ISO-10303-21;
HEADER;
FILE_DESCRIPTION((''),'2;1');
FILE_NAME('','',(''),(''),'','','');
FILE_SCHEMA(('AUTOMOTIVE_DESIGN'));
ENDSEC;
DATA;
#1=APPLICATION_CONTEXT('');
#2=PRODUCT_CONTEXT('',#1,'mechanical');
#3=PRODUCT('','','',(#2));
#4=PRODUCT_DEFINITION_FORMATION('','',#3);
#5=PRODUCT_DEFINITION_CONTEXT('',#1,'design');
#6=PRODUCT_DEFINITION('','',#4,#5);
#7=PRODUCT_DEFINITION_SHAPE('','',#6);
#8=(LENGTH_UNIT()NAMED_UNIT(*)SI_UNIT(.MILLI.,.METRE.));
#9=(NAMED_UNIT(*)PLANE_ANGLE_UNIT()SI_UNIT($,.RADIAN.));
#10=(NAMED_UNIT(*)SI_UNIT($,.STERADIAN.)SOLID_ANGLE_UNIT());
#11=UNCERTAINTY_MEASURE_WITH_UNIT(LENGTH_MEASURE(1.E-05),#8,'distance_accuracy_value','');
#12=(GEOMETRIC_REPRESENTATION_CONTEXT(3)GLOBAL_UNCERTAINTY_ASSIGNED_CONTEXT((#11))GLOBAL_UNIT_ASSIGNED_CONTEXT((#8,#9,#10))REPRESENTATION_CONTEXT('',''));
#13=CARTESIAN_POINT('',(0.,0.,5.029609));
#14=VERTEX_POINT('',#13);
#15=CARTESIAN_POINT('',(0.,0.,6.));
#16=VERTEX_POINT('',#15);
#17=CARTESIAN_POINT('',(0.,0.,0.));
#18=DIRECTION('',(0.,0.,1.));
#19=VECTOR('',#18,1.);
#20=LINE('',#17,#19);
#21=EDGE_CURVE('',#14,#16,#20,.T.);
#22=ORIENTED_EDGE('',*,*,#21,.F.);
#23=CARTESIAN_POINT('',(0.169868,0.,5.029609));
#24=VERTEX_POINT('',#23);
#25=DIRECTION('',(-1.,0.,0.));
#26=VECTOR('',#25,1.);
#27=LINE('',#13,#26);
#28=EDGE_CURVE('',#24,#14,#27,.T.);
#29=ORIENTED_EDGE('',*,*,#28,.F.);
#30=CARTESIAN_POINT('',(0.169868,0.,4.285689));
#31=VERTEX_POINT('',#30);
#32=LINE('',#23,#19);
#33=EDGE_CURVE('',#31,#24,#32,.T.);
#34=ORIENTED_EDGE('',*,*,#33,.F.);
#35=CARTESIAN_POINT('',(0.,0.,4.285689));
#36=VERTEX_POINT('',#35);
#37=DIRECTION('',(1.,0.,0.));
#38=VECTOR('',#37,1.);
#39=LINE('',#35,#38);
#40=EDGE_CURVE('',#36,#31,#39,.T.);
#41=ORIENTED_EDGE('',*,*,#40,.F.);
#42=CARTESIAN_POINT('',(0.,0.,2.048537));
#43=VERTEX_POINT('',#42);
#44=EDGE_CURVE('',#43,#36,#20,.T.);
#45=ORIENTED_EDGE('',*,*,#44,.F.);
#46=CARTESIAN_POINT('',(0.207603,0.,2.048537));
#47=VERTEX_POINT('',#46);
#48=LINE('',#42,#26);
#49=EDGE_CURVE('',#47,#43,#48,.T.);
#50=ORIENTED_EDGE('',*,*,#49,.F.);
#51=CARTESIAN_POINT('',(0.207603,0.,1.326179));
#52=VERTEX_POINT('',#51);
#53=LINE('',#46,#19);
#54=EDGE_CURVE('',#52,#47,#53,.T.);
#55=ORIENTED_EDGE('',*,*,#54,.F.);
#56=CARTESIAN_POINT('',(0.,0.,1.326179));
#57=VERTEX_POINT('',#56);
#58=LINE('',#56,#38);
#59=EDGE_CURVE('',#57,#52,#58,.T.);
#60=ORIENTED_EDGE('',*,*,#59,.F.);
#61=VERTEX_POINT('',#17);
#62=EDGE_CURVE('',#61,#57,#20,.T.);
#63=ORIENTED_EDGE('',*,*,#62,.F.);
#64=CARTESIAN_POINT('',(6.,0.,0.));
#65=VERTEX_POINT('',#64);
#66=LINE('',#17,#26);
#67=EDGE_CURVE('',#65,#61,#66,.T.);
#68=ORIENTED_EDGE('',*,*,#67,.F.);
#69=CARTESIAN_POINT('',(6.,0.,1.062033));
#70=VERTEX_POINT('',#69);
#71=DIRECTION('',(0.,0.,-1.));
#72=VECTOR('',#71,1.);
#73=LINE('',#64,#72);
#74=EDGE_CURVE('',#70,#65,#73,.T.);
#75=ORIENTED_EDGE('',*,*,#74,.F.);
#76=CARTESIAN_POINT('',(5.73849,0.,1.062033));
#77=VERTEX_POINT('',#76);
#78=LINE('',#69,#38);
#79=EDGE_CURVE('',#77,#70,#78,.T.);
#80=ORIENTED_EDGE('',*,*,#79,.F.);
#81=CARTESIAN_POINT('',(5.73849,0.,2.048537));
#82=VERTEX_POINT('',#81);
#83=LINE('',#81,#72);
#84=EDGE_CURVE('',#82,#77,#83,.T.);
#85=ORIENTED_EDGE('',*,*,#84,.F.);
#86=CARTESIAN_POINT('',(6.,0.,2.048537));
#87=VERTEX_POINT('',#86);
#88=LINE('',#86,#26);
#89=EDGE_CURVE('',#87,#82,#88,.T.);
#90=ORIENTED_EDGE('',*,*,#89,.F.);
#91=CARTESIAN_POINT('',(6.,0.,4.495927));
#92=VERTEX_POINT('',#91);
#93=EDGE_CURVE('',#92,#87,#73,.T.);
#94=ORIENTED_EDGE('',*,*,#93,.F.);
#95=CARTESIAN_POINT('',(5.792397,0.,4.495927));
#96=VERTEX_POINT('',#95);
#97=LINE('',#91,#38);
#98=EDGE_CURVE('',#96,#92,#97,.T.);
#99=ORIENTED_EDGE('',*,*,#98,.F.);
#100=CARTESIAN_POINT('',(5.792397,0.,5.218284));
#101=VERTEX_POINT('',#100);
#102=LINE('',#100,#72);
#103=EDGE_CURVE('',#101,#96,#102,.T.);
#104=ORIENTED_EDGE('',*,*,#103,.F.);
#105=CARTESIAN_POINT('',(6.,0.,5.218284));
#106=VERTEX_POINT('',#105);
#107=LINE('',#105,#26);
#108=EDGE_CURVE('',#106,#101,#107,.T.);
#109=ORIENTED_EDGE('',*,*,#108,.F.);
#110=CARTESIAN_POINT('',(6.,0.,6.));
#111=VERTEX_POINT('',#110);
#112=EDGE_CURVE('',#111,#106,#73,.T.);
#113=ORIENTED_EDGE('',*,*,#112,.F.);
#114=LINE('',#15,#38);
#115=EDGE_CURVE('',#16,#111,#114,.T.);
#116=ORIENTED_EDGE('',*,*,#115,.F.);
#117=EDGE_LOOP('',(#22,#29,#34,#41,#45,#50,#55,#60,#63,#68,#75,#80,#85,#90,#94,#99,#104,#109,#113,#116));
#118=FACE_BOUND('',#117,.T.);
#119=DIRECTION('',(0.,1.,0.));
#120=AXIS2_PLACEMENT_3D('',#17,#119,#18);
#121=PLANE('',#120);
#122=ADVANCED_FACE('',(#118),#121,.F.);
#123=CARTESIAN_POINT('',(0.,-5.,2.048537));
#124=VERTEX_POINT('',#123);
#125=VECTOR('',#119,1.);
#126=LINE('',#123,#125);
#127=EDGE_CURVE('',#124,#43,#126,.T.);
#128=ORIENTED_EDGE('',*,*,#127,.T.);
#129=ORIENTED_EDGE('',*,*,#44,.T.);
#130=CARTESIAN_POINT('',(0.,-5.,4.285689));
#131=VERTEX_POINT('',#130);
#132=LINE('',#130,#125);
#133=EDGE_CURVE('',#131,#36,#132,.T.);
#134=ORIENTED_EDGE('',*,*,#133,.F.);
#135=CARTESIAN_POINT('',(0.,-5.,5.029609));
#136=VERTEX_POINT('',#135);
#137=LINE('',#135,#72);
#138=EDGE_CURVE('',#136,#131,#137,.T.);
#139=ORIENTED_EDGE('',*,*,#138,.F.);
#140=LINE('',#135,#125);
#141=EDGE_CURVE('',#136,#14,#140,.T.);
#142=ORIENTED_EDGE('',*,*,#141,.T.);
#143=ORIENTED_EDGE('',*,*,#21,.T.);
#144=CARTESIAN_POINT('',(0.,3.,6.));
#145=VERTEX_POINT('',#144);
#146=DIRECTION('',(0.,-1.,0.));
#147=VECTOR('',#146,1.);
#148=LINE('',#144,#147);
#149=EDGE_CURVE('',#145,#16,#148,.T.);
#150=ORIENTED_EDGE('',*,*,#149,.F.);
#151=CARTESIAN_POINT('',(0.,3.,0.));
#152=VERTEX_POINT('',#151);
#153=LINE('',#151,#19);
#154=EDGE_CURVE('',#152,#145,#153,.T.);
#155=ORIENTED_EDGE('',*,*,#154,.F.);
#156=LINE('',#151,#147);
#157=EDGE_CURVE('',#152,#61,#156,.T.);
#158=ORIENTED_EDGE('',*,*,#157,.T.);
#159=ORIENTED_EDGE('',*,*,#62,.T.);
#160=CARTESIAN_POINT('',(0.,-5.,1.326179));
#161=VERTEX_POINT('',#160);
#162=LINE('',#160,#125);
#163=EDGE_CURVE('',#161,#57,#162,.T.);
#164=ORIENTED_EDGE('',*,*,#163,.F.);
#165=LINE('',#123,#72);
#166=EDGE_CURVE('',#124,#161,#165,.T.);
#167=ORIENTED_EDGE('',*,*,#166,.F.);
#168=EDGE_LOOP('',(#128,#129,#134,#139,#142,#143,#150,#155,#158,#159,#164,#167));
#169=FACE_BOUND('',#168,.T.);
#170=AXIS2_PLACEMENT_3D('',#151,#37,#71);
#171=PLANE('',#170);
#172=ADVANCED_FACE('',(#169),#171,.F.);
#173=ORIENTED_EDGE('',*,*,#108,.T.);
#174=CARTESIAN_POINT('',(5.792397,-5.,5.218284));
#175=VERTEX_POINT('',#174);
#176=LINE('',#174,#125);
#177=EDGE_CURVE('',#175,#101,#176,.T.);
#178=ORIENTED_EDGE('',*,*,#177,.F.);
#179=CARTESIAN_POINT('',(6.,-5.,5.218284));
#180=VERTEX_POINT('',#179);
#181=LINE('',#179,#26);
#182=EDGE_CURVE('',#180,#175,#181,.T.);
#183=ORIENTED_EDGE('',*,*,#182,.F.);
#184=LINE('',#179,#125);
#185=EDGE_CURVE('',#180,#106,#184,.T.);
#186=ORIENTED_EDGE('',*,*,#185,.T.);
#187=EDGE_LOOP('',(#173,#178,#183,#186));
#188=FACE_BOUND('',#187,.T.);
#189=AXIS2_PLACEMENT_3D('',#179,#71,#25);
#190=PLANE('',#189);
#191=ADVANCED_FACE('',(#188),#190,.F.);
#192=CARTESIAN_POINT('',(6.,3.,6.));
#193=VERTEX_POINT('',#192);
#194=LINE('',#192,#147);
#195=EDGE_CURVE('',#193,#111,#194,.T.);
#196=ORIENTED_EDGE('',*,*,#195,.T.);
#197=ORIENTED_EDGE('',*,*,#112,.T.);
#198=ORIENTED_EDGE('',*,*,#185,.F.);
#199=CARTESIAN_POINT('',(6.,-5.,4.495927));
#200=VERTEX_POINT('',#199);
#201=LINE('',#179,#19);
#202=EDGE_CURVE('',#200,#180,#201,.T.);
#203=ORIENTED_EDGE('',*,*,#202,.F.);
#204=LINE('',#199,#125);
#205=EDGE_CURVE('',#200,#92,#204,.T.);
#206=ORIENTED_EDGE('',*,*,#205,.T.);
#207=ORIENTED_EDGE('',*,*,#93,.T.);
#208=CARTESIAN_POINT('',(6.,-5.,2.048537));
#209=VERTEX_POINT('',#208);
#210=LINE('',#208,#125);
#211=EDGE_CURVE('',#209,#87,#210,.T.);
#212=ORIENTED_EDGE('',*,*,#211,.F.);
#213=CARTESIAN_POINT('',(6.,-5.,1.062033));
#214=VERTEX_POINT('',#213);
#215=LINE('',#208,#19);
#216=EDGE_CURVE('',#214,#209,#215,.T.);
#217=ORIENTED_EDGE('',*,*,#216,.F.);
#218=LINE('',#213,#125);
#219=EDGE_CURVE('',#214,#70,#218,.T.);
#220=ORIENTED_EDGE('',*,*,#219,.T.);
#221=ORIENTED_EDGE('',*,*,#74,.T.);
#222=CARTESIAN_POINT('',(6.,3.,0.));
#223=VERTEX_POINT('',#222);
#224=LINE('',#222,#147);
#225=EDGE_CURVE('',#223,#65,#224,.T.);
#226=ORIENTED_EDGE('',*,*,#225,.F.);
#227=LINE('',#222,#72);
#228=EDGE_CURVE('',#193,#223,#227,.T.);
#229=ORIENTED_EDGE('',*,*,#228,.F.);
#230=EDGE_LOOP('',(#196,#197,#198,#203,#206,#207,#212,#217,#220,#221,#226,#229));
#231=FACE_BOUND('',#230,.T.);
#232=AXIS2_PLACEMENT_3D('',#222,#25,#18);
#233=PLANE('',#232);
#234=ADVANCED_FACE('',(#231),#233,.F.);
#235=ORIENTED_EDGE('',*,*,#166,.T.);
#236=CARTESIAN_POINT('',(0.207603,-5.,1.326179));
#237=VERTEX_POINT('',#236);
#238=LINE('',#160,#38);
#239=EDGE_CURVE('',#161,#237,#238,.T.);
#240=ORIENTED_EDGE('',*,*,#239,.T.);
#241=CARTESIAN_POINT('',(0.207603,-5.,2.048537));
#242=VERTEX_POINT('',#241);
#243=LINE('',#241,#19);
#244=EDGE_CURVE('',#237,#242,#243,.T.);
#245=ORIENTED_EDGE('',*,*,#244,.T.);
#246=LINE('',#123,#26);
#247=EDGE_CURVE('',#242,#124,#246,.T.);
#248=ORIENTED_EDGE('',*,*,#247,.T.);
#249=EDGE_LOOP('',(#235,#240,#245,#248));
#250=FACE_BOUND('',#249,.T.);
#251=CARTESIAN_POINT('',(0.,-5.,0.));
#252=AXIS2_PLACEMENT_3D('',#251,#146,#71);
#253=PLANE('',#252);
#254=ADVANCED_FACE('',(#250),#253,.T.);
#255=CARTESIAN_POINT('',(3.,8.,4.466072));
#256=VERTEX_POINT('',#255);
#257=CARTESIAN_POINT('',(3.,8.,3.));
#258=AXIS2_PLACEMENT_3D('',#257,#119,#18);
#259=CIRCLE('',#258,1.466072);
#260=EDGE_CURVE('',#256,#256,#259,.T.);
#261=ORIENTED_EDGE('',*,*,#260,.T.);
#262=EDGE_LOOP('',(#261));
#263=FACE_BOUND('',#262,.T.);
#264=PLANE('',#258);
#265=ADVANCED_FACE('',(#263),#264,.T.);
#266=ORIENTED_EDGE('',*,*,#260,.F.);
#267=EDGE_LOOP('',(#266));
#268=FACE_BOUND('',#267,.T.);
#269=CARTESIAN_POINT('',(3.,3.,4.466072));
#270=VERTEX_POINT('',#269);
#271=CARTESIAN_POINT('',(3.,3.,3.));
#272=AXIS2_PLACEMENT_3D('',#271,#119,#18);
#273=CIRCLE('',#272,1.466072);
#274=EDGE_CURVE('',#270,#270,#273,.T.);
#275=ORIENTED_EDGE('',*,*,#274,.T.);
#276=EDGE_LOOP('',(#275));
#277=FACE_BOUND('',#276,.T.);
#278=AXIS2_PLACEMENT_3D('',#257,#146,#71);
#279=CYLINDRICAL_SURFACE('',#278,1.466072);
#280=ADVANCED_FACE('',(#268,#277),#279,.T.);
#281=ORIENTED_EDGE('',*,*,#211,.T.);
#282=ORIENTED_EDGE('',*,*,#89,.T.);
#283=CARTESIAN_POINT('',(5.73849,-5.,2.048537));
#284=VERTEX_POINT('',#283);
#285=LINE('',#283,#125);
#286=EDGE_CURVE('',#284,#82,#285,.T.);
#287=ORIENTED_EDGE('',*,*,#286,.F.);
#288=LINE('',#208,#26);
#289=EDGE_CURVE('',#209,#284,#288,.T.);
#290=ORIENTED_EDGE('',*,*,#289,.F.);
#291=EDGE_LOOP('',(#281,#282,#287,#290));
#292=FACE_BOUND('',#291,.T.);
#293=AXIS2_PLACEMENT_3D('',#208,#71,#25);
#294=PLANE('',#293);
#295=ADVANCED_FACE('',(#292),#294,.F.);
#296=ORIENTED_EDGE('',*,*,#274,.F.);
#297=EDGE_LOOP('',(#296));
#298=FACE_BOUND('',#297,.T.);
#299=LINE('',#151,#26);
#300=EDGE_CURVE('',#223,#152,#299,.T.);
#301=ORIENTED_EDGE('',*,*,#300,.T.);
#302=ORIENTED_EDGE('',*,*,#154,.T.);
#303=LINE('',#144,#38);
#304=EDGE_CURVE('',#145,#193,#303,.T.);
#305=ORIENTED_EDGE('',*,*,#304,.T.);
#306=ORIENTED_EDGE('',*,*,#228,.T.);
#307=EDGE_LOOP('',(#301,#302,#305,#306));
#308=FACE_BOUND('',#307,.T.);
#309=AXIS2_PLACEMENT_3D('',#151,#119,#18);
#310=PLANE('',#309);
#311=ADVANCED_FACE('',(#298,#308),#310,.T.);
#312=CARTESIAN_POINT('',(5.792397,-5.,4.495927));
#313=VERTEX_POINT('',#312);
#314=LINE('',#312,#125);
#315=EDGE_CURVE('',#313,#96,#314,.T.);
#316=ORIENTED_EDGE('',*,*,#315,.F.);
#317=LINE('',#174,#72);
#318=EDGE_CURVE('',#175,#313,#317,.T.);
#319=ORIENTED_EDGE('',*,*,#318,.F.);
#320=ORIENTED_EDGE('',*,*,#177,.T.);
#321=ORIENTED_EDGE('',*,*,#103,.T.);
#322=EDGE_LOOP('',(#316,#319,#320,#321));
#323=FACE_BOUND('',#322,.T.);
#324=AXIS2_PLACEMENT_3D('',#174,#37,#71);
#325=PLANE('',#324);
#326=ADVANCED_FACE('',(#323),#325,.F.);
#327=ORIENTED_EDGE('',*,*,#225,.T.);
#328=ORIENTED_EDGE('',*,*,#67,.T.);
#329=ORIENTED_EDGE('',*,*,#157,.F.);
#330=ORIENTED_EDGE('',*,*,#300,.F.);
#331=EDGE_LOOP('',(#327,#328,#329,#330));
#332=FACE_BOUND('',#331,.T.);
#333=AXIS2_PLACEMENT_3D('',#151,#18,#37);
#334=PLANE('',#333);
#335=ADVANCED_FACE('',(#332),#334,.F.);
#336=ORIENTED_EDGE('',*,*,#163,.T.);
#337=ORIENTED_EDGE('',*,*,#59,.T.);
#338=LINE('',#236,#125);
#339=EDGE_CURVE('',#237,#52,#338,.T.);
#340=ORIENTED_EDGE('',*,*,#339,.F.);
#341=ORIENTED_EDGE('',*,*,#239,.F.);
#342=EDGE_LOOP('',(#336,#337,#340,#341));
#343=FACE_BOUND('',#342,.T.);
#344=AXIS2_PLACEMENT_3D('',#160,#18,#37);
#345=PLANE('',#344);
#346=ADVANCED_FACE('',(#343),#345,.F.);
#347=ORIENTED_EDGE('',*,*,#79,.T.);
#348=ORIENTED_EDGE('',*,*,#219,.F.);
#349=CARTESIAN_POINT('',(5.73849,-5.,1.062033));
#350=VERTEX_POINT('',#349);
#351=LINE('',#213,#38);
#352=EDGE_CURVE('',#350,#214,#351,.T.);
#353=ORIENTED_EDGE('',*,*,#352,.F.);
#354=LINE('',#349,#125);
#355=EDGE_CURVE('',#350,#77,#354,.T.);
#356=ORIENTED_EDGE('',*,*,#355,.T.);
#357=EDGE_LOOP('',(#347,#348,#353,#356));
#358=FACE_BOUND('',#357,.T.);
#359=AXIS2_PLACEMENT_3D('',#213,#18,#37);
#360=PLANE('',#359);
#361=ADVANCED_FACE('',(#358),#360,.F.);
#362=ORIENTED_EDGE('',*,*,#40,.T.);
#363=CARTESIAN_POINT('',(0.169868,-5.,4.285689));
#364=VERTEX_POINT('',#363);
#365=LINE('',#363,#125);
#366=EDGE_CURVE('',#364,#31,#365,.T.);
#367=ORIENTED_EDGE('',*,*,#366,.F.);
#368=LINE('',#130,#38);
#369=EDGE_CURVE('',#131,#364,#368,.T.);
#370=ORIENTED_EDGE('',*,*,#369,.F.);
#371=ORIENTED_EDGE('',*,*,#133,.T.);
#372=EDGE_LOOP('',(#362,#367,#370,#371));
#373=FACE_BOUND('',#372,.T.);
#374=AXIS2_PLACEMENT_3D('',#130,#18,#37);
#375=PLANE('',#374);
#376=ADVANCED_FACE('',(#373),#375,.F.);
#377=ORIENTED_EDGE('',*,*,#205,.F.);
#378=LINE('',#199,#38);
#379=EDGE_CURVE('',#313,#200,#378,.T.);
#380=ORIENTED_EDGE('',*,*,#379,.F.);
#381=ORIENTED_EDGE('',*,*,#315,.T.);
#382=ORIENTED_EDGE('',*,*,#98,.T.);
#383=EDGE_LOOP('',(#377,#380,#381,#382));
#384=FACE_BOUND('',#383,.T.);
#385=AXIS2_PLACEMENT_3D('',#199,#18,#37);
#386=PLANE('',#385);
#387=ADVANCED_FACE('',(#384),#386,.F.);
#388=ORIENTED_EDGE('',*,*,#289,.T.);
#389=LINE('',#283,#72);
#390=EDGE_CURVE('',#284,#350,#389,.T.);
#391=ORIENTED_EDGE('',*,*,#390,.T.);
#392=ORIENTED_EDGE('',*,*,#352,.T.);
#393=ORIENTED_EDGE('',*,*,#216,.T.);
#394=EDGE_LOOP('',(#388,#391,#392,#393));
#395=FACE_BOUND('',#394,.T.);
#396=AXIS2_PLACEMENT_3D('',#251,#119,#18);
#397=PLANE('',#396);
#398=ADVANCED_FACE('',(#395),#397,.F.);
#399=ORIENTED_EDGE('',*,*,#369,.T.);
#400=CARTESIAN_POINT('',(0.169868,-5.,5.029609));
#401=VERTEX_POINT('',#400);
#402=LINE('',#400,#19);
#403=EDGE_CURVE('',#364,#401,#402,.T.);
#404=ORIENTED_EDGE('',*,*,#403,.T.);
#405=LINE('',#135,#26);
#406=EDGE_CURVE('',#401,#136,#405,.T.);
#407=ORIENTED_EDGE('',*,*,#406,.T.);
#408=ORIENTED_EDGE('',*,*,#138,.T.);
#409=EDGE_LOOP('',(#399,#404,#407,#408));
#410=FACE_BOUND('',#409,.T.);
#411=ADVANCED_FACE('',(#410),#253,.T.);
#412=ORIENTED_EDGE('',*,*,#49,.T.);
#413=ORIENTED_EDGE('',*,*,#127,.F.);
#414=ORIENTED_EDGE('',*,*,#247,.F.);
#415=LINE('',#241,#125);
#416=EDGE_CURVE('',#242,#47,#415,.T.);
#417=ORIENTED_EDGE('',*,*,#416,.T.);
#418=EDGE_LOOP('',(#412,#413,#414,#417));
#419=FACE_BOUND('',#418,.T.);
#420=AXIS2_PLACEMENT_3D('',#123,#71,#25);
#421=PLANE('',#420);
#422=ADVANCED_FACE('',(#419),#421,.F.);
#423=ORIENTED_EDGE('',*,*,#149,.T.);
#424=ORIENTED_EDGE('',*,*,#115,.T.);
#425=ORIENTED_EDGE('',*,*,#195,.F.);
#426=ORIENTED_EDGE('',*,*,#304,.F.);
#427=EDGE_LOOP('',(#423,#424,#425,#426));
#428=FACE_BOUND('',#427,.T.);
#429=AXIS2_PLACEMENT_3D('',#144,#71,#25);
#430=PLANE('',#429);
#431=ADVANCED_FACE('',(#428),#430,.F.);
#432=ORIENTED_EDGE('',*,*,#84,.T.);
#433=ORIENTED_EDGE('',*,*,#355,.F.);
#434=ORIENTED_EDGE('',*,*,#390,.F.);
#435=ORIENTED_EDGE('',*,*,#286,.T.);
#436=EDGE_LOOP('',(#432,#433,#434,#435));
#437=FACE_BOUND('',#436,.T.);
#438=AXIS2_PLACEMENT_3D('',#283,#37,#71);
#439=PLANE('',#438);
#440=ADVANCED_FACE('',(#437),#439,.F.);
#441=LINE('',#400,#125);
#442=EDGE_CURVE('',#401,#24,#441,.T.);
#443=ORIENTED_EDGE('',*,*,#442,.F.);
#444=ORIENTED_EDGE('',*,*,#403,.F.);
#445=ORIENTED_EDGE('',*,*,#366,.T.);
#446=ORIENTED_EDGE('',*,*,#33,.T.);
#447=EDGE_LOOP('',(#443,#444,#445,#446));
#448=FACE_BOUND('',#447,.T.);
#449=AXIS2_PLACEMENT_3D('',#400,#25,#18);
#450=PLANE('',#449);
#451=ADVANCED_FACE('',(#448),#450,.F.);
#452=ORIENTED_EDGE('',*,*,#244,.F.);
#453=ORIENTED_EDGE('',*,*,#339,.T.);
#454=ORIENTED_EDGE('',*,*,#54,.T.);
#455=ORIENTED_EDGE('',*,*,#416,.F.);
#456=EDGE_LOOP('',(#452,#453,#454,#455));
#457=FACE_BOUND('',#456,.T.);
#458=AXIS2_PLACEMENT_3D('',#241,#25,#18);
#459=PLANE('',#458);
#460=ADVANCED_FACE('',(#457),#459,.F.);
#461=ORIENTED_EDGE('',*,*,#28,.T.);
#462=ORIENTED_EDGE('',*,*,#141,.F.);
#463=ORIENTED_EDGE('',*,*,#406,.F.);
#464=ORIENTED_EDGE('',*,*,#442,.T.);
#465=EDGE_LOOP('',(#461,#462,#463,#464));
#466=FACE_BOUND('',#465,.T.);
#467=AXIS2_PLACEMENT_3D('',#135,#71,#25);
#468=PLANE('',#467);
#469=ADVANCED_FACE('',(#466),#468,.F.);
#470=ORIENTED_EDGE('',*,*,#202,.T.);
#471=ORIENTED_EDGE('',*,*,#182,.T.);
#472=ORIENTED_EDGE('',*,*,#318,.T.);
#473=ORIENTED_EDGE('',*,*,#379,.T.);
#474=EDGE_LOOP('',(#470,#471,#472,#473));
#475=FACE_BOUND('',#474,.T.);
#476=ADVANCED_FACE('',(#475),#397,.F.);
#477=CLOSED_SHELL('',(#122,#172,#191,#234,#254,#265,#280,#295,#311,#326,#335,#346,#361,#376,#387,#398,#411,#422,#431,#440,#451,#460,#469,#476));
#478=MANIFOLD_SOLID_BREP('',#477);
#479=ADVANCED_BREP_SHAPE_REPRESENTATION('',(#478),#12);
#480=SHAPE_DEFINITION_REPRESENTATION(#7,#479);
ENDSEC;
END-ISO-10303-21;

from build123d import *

# Parameters (mm, degrees)
SKETCH1_W           = 6
SKETCH1_H           = 6
BOSS_EXTRUDE1_DEPTH = 3
SKETCH2_R           = 1.46607231
BOSS_EXTRUDE2_DEPTH = 5
SKETCH3_W           = 0.169867938
SKETCH3_H           = 0.743920428
SKETCH3_W_2         = 0.207603032
SKETCH3_H_2         = 0.722357517
SKETCH3_W_3         = 0.261510309
SKETCH3_H_3         = 0.986503176
BOSS_EXTRUDE3_DEPTH = 5


with BuildPart() as part:
    # Sketch1 → Boss-Extrude1 (new body)
    with BuildSketch(Plane(origin=(0, 0, 0), x_dir=(1, 0, 0), z_dir=(0, 1, 0))):
        with Locations((3, -3)):
            Rectangle(SKETCH1_W, SKETCH1_H)
    extrude(amount=BOSS_EXTRUDE1_DEPTH)

    # Sketch2 → Boss-Extrude2 (add)
    with BuildSketch(Plane(origin=(0, 3, 0), x_dir=(1, 0, 0), z_dir=(0, 1, 0))):
        with Locations(Location((3, -3, 0), (0, 0, 270))):
            Circle(SKETCH2_R)
    extrude(amount=BOSS_EXTRUDE2_DEPTH)

    # Sketch3 → Boss-Extrude3 (add)
    with BuildSketch(Plane(origin=(0, 0, 0), x_dir=(-1, 0, 0), z_dir=(0, -1, 0))):
        with Locations((-0.084933969, -4.657648779)):
            Rectangle(SKETCH3_W, SKETCH3_H)
        with Locations((-0.103801516, -1.687357796)):
            Rectangle(SKETCH3_W_2, SKETCH3_H_2)
        with Locations((-5.896198484, -4.857105706)):
            Rectangle(SKETCH3_W_2, SKETCH3_H_2)
        with Locations((-5.869244846, -1.555284966)):
            Rectangle(SKETCH3_W_3, SKETCH3_H_3)
    extrude(amount=BOSS_EXTRUDE3_DEPTH)


solid = part.part
